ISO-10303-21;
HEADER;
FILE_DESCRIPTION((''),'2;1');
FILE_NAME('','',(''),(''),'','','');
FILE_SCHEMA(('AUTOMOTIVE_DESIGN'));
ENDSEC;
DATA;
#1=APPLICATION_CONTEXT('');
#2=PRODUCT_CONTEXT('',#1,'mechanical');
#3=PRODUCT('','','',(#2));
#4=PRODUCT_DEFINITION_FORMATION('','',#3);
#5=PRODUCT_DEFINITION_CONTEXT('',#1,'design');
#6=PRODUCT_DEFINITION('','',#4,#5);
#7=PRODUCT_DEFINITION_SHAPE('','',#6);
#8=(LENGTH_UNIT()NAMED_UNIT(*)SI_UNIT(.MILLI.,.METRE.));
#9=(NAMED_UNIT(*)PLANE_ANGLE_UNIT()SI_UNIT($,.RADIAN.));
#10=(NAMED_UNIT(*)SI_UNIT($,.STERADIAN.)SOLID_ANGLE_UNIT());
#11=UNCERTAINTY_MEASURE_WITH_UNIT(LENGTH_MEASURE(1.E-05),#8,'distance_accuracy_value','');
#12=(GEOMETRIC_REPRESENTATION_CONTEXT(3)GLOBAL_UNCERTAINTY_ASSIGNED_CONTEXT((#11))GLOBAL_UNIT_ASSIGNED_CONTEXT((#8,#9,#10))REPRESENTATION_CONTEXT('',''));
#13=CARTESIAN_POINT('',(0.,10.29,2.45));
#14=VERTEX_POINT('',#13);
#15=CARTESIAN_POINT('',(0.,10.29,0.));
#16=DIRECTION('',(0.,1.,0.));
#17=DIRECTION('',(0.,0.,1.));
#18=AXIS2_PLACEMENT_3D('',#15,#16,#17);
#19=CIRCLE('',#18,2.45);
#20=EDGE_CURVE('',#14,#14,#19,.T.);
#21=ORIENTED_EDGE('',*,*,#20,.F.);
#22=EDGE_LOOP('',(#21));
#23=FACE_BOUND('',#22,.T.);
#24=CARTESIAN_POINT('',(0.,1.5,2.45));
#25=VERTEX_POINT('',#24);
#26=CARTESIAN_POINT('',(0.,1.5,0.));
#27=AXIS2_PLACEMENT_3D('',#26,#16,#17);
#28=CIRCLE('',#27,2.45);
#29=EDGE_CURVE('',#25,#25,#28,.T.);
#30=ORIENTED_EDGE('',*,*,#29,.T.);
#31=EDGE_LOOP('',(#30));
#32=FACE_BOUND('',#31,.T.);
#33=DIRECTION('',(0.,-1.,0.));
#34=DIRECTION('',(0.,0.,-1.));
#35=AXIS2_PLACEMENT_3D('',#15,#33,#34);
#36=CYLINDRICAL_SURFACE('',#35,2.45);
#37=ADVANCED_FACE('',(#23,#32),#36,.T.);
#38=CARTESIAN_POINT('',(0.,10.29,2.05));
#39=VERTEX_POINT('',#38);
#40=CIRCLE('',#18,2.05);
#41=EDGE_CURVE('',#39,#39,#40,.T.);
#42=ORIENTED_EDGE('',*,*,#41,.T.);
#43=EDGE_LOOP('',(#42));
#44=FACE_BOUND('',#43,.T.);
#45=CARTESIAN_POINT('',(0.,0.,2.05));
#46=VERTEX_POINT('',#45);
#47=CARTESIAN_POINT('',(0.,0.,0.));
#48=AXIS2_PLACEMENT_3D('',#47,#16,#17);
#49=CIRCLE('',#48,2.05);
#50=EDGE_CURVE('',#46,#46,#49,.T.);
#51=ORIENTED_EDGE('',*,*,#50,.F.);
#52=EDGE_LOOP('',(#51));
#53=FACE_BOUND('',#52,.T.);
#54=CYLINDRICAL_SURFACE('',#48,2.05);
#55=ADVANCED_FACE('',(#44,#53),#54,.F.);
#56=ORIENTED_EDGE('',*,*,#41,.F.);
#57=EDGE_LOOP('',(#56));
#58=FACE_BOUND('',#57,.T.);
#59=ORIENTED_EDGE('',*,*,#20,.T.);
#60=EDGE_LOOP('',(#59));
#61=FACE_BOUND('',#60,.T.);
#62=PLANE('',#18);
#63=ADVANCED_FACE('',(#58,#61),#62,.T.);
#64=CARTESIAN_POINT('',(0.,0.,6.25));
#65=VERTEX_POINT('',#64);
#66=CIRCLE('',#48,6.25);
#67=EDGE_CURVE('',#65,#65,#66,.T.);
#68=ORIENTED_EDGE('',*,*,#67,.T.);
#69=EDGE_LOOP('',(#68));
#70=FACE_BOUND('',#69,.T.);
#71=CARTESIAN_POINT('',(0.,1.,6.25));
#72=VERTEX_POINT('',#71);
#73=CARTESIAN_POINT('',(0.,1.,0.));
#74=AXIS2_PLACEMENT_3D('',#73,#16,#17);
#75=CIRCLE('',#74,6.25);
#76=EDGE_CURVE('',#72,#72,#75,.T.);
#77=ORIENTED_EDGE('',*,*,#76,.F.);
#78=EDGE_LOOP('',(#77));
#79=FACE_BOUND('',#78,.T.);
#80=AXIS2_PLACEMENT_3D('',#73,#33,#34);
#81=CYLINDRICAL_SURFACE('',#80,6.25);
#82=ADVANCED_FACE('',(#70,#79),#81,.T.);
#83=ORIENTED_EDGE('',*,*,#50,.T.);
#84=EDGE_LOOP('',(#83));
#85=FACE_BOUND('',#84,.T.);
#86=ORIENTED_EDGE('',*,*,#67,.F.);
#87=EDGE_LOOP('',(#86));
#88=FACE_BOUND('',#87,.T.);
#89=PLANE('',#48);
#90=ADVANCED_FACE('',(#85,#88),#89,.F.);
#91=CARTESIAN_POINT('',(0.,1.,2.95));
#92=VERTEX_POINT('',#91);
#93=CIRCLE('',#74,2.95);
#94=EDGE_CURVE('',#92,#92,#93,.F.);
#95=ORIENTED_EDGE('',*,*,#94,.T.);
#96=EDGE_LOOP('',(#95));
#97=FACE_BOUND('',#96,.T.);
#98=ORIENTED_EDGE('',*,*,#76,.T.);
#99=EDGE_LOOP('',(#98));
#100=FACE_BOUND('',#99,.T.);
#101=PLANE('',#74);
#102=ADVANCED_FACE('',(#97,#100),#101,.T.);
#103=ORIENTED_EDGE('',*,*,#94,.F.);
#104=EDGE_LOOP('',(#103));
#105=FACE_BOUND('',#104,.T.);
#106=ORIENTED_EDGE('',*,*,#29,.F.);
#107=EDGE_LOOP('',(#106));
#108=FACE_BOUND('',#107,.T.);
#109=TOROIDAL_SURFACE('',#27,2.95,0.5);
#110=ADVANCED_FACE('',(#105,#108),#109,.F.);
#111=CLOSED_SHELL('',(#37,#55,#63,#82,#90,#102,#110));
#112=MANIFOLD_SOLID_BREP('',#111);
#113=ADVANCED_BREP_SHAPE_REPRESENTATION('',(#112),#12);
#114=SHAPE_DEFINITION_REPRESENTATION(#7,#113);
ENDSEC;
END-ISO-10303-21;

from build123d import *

# Parameters (mm, degrees)
CROQUIS1_R              = 6.25
SALIENTE_EXTRUIR1_DEPTH = 1
CROQUIS2_R              = 2.45
SALIENTE_EXTRUIR2_DEPTH = 9.29
CROQUIS3_R              = 2.05
CORTAR_EXTRUIR1_DEPTH   = 14.564995393
REDONDEO1_R             = 0.5


with BuildPart() as part:
    # Croquis1 → Saliente-Extruir1 (new body)
    with BuildSketch(Plane(origin=(0, 0, 0), x_dir=(1, 0, 0), z_dir=(0, 1, 0))):
        with Locations(Location((0, 0, 0), (0, 0, 270))):
            Circle(CROQUIS1_R)
    extrude(amount=SALIENTE_EXTRUIR1_DEPTH)

    # Croquis2 → Saliente-Extruir2 (add)
    with BuildSketch(Plane(origin=(0, 1, 0), x_dir=(1, 0, 0), z_dir=(0, 1, 0))):
        with Locations(Location((0, 0, 0), (0, 0, 270))):
            Circle(CROQUIS2_R)
    extrude(amount=SALIENTE_EXTRUIR2_DEPTH)

    # Croquis3 → Cortar-Extruir1 (cut, through all)
    with BuildSketch(Plane(origin=(0, 10.29, 0), x_dir=(1, 0, 0), z_dir=(0, 1, 0))):
        with Locations(Location((0, 0, 0), (0, 0, 270))):
            Circle(CROQUIS3_R)
    extrude(amount=-CORTAR_EXTRUIR1_DEPTH, mode=Mode.SUBTRACT)

    # Redondeo1
    redondeo1_edges = [part.edges().sort_by_distance(p)[0] for p in [
        (0, 1, -2.45),
    ]]
    fillet(redondeo1_edges, radius=REDONDEO1_R)


solid = part.part
